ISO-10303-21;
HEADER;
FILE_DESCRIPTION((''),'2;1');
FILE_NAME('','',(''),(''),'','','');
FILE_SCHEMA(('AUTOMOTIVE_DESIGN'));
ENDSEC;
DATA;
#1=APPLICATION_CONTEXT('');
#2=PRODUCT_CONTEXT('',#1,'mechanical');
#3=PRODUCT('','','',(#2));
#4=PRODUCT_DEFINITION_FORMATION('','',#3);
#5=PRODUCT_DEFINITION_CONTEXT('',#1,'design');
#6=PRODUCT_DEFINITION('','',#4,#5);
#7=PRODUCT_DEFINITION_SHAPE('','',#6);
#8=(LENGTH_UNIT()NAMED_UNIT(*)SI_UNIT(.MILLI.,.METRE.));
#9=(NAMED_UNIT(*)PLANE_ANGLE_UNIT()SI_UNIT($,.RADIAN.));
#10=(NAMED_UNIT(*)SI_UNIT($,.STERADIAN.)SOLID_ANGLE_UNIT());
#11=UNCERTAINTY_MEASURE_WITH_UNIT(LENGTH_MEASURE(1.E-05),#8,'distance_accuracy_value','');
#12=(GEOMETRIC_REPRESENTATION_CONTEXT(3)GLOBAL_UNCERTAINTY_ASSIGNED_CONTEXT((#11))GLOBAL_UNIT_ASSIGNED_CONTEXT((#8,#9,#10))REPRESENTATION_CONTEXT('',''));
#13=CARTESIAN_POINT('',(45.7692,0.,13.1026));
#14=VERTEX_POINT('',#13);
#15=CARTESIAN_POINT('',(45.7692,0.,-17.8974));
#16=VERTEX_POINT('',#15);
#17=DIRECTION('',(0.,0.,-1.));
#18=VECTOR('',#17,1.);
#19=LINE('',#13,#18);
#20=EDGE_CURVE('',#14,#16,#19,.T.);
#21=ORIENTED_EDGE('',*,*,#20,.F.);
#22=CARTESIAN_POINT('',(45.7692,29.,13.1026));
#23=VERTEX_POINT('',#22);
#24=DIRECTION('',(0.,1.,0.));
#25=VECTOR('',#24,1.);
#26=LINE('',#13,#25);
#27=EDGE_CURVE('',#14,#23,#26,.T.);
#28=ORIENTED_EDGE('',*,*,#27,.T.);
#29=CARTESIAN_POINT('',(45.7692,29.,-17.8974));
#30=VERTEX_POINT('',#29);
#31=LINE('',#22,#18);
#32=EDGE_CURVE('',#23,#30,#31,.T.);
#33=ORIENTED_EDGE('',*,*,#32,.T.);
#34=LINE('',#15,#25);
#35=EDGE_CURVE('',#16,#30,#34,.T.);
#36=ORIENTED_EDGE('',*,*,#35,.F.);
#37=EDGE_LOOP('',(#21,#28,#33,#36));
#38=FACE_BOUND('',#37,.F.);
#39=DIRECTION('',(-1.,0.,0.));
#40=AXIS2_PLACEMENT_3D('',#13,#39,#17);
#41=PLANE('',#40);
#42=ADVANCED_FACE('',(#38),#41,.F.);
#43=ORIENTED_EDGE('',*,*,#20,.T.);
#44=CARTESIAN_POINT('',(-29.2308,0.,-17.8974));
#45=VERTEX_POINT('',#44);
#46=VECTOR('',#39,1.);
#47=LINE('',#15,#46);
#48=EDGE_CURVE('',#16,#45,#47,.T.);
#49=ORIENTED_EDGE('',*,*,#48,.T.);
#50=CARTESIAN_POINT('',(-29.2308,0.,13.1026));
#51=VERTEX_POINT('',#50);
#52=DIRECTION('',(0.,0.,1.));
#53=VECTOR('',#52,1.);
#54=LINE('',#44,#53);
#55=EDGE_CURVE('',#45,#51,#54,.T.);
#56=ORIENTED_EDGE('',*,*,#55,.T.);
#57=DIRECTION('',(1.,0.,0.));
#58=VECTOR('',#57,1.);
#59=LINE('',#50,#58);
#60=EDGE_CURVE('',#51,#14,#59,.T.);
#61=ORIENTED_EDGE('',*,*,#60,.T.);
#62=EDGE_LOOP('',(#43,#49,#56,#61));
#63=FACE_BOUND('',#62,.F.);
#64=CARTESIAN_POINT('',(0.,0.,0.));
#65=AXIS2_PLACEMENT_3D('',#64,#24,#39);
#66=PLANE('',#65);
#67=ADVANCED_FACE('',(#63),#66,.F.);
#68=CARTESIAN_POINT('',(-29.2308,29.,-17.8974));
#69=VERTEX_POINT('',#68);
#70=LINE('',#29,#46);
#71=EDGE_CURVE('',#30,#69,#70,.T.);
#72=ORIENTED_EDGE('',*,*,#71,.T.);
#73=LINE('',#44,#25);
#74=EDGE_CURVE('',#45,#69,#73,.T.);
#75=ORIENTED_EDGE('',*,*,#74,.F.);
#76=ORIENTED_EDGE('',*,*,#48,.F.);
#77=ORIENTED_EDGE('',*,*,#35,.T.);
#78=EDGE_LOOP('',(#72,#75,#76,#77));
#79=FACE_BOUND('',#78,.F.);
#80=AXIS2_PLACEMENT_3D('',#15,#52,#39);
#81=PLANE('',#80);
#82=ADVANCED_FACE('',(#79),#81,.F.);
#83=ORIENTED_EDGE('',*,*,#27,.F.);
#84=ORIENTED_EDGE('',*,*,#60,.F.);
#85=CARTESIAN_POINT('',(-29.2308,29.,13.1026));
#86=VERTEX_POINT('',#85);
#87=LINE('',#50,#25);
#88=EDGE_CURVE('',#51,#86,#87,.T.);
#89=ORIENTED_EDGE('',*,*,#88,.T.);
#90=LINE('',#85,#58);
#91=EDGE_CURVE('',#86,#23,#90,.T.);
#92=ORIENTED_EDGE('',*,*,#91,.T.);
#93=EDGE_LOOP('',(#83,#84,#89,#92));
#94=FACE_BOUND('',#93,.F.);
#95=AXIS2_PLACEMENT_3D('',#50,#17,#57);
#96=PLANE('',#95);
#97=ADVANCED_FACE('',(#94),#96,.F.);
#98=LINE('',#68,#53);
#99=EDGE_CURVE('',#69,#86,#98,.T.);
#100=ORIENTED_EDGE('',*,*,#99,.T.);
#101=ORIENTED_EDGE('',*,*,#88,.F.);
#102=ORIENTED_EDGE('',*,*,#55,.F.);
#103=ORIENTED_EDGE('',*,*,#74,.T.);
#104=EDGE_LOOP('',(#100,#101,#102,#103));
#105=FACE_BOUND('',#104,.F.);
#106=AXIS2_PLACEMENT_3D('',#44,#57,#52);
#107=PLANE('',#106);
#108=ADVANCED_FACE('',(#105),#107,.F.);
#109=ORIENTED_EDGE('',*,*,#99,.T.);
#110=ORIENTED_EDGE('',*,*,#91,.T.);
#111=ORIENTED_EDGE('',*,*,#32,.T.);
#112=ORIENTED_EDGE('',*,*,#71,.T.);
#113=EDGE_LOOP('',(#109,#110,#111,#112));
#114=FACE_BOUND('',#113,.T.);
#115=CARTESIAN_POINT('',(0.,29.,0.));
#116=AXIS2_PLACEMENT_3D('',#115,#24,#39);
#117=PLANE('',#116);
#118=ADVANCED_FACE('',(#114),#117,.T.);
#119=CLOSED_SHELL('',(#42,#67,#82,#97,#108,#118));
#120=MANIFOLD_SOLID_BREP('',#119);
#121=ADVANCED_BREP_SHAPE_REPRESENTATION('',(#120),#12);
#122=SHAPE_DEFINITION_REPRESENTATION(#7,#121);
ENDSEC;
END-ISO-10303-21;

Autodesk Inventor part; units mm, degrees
ref_plane "YZ Plane" through (0, 0, 0) normal (1, 0, 0) x (0, 1, 0)
ref_plane "XZ Plane" through (0, 0, 0) normal (0, 1, 0) x (-1, 0, 0)
ref_plane "XY Plane" through (0, 0, 0) normal (0, 0, 1) x (1, 0, 0)
sketch "Sketch1" plane through (0, 0, 0) normal (0, 1, 0) x (-1, 0, 0)
  line L0 (29.2308, 13.1026) -> (-45.7692, 13.1026)
  line L1 (-45.7692, 13.1026) -> (-45.7692, -17.8974)
  line L2 (-45.7692, -17.8974) -> (29.2308, -17.8974)
  line L3 (29.2308, -17.8974) -> (29.2308, 13.1026)
  point P0 (0, 0)
  dimension "d0" = 31
  dimension "d1" = 75
extrude "Extrusion1" add sketch "Sketch1" along normal blind 29
properties part number "lily+gps"
